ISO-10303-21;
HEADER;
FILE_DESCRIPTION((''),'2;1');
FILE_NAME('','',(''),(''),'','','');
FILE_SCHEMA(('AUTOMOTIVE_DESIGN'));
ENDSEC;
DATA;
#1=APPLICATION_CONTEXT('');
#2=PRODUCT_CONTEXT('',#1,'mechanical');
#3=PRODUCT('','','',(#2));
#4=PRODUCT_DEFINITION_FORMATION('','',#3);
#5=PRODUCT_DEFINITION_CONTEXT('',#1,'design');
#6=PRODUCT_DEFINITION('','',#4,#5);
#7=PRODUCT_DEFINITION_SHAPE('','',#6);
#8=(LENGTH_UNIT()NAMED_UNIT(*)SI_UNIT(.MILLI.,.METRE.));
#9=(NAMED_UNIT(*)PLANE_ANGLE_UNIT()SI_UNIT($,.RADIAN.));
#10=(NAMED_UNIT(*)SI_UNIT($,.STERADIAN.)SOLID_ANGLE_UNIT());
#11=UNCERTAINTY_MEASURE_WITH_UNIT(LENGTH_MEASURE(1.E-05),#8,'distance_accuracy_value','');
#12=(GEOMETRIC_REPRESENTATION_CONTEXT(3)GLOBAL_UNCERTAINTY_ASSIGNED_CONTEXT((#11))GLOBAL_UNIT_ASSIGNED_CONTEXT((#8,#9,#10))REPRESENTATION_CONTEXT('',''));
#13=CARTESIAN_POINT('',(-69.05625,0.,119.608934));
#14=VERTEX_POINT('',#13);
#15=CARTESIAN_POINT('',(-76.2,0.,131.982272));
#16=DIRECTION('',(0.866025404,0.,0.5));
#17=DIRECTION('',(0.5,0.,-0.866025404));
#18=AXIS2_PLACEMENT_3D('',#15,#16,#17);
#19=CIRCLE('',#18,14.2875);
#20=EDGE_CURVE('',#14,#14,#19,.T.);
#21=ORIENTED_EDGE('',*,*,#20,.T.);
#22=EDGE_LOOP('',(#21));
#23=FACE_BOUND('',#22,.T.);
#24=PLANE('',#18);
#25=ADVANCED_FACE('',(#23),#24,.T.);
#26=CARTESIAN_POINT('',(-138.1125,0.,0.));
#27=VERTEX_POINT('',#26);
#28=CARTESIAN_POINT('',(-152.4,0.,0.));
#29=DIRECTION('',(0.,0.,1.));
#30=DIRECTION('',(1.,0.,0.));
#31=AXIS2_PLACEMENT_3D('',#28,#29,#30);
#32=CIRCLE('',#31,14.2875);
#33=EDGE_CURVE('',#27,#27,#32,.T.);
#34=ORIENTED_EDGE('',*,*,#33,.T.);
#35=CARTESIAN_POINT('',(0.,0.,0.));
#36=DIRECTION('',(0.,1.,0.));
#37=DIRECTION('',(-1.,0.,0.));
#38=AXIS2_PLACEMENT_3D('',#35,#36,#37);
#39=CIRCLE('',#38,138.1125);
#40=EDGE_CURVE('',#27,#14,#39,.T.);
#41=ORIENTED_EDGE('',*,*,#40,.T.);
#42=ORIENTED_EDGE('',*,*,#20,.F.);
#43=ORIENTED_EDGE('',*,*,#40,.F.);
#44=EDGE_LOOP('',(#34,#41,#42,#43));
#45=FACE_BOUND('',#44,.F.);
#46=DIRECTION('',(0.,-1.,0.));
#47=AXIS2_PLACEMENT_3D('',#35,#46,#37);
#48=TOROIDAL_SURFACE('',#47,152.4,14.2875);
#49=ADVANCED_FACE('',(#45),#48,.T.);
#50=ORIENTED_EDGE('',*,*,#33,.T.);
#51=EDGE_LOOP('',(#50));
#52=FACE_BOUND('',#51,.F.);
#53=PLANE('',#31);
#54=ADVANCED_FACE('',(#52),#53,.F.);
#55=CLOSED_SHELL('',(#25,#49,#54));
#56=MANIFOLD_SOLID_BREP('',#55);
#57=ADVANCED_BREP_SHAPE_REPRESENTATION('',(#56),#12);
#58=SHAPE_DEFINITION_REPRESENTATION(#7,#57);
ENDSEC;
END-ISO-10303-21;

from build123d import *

# Parameters (mm, degrees)
F0_R     = 14.2875
F1_ANGLE = -60


with BuildPart() as f1:
    # F0 (on Top) → F1 (revolve)
    with BuildSketch(Plane.XY):
        with Locations((-152.4, 0)):
            Circle(F0_R)
    revolve(axis=Axis((0, -79.112187, 0), (0, -1, 0)), revolution_arc=F1_ANGLE)


solid = f1.part
